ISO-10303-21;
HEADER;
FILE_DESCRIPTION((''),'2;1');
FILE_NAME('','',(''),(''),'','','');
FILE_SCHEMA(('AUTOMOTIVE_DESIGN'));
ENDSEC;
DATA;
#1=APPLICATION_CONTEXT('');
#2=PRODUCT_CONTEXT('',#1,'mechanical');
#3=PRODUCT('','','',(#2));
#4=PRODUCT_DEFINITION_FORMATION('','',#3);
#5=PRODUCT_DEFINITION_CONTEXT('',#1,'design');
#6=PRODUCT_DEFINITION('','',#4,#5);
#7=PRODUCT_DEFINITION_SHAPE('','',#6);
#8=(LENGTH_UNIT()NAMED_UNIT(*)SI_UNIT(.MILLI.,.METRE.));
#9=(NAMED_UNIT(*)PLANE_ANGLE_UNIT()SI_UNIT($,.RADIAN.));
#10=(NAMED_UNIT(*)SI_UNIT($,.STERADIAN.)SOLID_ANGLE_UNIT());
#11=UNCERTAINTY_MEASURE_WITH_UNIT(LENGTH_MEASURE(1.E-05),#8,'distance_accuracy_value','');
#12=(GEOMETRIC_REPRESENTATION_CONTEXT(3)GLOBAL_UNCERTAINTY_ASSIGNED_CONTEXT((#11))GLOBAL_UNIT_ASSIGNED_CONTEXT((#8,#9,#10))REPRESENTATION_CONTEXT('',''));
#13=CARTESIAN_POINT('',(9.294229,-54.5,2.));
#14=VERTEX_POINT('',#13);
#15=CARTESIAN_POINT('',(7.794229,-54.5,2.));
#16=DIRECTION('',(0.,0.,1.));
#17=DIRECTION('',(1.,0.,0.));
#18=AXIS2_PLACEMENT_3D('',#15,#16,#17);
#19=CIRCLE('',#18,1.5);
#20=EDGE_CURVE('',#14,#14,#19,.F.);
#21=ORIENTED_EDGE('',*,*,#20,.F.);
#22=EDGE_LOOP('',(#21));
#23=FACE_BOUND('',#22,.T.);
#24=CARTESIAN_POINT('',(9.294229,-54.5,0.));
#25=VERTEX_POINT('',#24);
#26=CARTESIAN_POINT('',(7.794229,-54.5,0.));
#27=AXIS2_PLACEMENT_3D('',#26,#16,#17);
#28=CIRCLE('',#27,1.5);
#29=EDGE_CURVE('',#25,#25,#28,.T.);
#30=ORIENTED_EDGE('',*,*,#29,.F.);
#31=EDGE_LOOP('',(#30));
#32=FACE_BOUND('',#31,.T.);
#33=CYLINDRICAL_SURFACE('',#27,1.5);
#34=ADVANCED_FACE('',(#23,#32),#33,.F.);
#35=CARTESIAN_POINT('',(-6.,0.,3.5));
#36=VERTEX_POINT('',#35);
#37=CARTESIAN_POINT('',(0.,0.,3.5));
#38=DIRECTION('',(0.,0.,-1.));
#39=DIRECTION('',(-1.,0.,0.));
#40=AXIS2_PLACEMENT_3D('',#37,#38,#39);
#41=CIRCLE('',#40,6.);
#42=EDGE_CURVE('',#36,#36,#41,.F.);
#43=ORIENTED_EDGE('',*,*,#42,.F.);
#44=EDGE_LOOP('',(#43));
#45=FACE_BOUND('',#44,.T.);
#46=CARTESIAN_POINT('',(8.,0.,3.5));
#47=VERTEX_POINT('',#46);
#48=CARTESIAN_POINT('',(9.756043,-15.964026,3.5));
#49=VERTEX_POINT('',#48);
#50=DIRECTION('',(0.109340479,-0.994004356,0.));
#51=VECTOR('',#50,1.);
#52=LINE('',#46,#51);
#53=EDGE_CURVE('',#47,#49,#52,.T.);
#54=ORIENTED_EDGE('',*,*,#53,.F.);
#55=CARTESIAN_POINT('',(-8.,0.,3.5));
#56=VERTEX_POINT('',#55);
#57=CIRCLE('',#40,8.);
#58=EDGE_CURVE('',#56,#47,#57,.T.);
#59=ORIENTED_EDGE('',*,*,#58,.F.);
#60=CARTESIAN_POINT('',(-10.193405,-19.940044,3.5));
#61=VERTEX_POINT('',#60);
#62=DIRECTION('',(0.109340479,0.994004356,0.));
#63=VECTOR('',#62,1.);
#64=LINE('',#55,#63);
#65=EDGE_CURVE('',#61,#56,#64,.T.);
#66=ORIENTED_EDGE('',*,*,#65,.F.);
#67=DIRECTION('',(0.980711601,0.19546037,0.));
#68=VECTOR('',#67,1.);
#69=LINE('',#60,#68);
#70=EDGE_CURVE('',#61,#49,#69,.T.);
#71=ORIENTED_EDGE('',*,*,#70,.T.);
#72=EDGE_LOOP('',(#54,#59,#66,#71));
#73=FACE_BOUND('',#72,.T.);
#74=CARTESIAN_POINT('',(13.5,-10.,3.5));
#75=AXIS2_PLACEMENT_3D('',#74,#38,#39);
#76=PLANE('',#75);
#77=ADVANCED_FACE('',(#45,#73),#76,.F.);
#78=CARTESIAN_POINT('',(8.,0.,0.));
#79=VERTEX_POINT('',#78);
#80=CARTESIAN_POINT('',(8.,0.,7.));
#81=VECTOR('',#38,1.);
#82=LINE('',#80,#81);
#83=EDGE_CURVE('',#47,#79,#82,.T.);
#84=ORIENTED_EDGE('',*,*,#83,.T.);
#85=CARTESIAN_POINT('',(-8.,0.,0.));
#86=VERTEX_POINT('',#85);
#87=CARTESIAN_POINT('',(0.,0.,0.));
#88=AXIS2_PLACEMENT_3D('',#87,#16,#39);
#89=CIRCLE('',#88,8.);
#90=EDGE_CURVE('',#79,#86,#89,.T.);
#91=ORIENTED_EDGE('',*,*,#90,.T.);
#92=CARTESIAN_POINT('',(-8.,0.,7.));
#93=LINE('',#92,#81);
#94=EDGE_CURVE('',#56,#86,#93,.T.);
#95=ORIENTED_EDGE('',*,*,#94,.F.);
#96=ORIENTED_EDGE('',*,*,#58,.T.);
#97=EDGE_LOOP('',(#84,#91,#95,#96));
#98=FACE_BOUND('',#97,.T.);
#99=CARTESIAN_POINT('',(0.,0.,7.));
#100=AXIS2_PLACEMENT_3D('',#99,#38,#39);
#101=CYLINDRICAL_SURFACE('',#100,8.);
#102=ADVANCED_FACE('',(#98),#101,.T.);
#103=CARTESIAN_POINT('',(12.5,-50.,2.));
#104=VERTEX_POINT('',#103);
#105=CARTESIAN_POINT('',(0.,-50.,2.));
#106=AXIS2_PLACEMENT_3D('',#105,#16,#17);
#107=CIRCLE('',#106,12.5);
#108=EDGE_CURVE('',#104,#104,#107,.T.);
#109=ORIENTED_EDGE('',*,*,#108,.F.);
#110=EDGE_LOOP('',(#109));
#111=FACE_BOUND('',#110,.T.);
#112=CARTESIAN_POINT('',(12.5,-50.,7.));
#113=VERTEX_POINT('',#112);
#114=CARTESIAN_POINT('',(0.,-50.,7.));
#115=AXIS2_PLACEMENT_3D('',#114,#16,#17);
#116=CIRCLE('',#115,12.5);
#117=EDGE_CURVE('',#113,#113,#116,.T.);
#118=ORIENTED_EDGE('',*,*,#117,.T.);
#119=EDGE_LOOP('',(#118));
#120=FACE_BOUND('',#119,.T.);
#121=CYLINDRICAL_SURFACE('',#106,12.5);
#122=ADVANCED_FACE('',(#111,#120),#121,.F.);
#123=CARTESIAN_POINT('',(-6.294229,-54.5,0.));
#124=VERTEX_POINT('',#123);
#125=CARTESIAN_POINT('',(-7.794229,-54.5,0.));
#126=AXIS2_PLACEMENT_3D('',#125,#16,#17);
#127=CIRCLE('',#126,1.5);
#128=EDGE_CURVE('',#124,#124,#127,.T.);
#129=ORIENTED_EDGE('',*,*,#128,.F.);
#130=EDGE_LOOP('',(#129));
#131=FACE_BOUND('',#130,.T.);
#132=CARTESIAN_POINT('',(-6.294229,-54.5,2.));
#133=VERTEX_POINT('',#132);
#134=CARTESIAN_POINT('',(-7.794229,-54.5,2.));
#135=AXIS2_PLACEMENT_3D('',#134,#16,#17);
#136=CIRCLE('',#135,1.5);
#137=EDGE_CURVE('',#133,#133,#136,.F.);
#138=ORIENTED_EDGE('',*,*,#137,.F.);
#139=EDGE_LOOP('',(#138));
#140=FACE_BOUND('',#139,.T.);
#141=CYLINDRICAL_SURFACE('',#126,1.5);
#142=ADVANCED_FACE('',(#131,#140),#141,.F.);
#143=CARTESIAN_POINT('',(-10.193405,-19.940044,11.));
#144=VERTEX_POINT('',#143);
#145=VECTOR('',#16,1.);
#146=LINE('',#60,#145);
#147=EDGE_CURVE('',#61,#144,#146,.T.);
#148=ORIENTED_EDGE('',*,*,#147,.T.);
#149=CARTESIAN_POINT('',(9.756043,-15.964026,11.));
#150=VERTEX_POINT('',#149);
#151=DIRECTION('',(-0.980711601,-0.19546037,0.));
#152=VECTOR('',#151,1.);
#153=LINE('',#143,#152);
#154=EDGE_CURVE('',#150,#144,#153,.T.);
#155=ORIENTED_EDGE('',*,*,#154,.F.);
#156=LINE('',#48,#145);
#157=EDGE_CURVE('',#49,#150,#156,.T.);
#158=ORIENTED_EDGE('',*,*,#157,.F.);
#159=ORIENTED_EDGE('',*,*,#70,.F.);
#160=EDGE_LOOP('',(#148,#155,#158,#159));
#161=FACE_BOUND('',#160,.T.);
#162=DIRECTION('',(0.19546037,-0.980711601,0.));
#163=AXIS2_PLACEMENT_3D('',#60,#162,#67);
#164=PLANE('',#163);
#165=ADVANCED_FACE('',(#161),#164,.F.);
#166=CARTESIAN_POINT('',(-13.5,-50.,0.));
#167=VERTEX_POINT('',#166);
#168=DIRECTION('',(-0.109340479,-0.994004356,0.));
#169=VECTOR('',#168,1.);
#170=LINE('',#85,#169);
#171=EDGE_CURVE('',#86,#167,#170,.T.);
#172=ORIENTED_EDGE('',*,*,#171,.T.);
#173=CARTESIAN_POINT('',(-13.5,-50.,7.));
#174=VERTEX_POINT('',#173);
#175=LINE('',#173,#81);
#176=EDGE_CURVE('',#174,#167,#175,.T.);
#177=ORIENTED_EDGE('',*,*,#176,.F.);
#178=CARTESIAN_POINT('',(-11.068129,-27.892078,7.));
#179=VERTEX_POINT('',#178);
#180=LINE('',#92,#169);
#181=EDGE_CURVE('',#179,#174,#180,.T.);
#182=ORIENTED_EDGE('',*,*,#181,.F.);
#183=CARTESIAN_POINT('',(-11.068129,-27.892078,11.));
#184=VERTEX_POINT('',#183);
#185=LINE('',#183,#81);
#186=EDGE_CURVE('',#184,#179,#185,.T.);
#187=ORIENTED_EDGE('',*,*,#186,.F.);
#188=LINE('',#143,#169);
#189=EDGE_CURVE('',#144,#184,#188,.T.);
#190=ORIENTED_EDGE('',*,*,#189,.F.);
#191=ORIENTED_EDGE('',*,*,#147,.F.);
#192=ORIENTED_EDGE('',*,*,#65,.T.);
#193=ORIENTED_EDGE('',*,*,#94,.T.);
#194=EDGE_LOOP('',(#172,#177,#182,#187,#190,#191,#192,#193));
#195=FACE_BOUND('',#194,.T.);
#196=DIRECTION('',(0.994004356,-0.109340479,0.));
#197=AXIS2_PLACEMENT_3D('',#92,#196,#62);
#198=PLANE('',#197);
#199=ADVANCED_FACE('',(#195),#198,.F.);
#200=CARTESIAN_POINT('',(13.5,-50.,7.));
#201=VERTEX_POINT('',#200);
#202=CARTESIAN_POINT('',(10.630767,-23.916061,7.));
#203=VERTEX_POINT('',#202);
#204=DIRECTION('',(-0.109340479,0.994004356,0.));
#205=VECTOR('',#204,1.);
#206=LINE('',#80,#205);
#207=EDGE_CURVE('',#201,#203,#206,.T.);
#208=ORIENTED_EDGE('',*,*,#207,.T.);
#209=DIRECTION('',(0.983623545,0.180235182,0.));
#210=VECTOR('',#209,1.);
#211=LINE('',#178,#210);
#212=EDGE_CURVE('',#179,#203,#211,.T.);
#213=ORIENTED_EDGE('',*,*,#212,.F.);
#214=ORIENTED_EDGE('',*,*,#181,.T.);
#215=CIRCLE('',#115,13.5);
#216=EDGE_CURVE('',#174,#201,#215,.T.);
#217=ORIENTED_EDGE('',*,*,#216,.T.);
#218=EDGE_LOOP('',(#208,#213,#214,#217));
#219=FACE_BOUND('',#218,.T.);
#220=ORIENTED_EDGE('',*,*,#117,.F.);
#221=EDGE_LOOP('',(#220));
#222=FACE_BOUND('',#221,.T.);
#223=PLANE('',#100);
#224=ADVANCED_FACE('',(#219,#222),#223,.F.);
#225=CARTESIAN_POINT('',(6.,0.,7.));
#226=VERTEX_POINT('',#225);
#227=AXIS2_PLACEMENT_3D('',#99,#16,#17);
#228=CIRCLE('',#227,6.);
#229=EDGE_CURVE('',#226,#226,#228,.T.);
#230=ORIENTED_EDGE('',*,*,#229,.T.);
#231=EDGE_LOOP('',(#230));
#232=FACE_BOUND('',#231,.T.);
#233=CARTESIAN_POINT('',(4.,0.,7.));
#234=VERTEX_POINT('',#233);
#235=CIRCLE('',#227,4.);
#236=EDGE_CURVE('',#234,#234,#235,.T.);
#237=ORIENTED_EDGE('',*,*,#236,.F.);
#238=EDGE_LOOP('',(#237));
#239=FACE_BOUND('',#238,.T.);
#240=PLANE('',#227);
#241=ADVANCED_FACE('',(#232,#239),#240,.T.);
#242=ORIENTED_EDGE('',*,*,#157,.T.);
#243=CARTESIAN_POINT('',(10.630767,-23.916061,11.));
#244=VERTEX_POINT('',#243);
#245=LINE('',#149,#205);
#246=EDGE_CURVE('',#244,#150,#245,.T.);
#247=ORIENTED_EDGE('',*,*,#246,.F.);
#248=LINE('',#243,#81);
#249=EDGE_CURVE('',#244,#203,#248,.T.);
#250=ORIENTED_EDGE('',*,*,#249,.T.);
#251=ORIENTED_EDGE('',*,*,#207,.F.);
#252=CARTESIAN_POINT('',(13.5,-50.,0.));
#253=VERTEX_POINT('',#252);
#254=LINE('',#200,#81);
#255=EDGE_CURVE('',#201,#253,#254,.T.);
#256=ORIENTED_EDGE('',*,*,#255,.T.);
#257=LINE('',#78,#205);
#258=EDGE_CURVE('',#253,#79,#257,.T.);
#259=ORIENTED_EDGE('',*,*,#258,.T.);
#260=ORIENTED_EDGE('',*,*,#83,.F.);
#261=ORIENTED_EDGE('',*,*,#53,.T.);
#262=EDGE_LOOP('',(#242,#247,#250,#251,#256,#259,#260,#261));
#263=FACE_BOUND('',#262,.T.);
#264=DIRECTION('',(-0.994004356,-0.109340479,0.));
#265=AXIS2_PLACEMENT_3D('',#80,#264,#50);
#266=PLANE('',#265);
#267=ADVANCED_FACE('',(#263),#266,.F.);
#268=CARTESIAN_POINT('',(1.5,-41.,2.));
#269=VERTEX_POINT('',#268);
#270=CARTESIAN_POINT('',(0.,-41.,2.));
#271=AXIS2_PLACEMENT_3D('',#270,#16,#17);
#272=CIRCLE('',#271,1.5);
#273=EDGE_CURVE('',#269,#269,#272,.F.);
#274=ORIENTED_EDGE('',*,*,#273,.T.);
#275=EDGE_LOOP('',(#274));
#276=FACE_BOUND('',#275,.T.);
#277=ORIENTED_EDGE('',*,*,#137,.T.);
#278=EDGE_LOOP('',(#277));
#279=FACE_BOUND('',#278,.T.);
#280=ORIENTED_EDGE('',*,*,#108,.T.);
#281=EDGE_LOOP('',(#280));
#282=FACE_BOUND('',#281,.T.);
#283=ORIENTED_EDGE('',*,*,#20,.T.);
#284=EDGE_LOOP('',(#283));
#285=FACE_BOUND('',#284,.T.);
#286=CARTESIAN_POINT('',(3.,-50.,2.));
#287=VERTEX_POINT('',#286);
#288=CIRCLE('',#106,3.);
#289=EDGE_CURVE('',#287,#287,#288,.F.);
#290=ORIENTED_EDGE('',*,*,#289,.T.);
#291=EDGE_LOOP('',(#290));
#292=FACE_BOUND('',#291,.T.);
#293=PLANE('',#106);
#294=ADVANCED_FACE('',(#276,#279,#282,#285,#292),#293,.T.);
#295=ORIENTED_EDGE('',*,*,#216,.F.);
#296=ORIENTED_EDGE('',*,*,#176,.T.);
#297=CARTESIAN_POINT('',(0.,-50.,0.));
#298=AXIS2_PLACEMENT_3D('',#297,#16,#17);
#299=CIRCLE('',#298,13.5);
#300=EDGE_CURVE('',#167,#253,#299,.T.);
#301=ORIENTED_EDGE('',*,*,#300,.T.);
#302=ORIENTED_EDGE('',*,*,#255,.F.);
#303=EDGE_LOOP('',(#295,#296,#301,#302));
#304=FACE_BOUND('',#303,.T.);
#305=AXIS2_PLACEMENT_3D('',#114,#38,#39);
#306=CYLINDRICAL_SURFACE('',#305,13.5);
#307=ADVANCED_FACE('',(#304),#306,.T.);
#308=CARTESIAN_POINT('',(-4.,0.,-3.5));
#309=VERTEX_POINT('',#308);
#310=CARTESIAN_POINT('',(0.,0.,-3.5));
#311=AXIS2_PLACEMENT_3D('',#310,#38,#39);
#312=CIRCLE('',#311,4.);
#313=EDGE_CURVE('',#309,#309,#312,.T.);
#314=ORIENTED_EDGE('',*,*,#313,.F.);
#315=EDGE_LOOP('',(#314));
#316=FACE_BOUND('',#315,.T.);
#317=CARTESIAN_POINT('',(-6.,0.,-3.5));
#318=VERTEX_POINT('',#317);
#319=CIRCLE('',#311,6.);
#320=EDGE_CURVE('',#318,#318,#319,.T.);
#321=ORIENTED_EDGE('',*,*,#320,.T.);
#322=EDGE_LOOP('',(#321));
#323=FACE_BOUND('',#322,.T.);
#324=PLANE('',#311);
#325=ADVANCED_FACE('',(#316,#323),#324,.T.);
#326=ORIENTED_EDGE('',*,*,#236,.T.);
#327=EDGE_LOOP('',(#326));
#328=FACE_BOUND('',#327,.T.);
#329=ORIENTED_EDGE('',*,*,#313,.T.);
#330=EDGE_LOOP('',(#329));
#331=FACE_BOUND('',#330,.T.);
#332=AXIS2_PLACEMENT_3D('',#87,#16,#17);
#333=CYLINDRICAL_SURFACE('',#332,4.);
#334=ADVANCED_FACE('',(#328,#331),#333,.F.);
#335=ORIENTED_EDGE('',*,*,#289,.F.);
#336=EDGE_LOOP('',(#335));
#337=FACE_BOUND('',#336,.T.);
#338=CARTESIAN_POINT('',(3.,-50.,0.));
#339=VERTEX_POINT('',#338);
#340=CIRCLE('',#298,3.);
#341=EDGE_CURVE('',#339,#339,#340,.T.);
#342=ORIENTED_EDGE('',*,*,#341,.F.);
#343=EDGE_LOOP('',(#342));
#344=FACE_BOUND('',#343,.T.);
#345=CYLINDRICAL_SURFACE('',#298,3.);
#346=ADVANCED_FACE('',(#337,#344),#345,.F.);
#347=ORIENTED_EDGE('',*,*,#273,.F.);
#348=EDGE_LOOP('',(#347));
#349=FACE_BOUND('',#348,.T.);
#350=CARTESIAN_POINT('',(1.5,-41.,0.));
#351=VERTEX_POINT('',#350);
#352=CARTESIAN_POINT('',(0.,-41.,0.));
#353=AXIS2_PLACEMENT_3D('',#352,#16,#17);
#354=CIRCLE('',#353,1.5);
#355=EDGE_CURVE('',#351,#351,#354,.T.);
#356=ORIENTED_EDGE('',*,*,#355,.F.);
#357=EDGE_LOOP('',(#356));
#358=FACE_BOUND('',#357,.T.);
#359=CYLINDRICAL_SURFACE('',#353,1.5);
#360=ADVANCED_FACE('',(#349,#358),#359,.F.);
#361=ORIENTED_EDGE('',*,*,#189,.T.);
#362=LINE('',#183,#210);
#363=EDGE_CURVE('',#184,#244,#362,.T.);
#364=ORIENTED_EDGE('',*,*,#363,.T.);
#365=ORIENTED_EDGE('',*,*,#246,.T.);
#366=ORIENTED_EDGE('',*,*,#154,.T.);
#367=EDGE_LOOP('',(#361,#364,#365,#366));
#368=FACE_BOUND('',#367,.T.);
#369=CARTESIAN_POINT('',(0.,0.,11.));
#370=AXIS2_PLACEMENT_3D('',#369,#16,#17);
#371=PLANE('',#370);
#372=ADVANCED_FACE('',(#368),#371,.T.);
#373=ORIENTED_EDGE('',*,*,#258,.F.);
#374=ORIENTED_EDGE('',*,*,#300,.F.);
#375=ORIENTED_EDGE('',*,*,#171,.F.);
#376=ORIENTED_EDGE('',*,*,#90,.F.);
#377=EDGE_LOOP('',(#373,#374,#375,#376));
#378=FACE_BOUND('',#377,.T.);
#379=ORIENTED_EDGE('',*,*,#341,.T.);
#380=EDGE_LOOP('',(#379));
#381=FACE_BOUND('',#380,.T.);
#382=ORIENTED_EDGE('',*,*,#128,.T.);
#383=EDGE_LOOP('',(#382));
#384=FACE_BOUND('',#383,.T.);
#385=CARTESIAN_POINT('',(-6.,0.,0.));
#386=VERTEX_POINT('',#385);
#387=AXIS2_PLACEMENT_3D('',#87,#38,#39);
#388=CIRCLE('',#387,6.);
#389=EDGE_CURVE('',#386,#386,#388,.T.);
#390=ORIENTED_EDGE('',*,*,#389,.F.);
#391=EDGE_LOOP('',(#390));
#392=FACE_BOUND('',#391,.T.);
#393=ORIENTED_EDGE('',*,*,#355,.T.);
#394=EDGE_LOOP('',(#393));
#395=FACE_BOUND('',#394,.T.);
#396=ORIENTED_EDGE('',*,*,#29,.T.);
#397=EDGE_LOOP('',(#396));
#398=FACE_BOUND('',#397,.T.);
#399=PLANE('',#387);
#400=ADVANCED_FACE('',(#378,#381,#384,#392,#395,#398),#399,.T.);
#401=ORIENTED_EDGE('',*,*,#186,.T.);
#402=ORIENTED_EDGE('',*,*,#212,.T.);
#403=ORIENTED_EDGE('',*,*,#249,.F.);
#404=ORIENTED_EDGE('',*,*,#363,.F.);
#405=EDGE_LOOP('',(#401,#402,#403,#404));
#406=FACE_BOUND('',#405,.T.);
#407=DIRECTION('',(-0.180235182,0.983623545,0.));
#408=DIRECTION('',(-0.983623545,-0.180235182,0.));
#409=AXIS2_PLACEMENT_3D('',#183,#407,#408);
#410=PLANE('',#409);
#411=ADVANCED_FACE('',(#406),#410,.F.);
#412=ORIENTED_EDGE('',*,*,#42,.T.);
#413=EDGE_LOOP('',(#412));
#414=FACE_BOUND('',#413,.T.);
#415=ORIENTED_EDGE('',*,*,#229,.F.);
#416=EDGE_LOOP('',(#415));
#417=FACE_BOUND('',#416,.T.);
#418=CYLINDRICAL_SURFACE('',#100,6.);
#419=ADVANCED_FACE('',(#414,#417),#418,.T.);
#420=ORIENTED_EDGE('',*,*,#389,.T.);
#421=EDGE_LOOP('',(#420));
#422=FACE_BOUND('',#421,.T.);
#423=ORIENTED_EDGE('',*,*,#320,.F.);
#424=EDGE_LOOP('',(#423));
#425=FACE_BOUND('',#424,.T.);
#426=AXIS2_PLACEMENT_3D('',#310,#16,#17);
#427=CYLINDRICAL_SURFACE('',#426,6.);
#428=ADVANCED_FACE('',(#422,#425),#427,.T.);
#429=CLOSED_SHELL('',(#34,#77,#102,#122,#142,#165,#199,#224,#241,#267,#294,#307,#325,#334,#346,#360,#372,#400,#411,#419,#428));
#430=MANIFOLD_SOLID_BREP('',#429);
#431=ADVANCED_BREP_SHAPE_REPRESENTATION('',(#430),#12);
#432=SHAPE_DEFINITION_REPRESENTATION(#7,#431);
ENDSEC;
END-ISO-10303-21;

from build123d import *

# Parameters (mm, degrees)
BOSS_EXTRU_1_DEPTH      = 7
ESQUISSE2_R             = 3
ENL_V_MAT_EXTRU_1_DEPTH = 7
ESQUISSE3_R             = 1.5
ENL_V_MAT_EXTRU_2_DEPTH = 7
ESQUISSE5_R             = 12.5
ENL_V_MAT_EXTRU_5_DEPTH = 5
ESQUISSE10_W            = 27
ESQUISSE10_H            = 3.5
ENL_V_MAT_EXTRU_6_DEPTH = 20
ESQUISSE12_R            = 6
BOSS_EXTRU_3_DEPTH      = 3.5
ESQUISSE13_R            = 4
ENL_V_MAT_EXTRU_7_DEPTH = 66.295482233
ENL_V_MAT_EXTRU_8_DEPTH = 3.5
BOSS_EXTRU_4_DEPTH      = 4
ESQUISSE16_R            = 6
ESQUISSE16_R_2          = 4
BOSS_EXTRU_5_DEPTH      = 3.5


with BuildPart() as part:
    # Esquisse1 → Boss.-Extru.1 (new body)
    with BuildSketch(Plane.XY):
        with BuildLine():
            Line((8, 0), (13.5, -50))
            ThreePointArc((13.5, -50), (0, -63.5), (-13.5, -50))
            Line((-13.5, -50), (-8, 0))
            ThreePointArc((-8, 0), (0, 8), (8, 0))
        make_face()
    extrude(amount=BOSS_EXTRU_1_DEPTH)

    # Esquisse2 → Enlèv. mat.-Extru.1 (cut)
    with BuildSketch(Plane.XY.offset(7)):
        with Locations((0, -50)):
            Circle(ESQUISSE2_R)
    extrude(amount=-ENL_V_MAT_EXTRU_1_DEPTH, mode=Mode.SUBTRACT)

    # Esquisse3 → Enlèv. mat.-Extru.2 (cut)
    with BuildSketch(Plane.XY.offset(7)):
        with Locations((0, -41)):
            Circle(ESQUISSE3_R)
        with Locations((-7.794228634, -54.5)):
            Circle(ESQUISSE3_R)
        with Locations((7.794228634, -54.5)):
            Circle(ESQUISSE3_R)
    extrude(amount=-ENL_V_MAT_EXTRU_2_DEPTH, mode=Mode.SUBTRACT)

    # Esquisse5 → Enlèv. mat.-Extru.5 (cut)
    with BuildSketch(Plane.XY.offset(7)):
        with Locations((0, -50)):
            Circle(ESQUISSE5_R)
    extrude(amount=-ENL_V_MAT_EXTRU_5_DEPTH, mode=Mode.SUBTRACT)

    # Esquisse10 → Enlèv. mat.-Extru.6 (cut)
    with BuildSketch(Plane(origin=(0, 10, 0), x_dir=(1, 0, 0), z_dir=(0, 1, 0))):
        with Locations((0, -5.25)):
            Rectangle(ESQUISSE10_W, ESQUISSE10_H)
    extrude(amount=-ENL_V_MAT_EXTRU_6_DEPTH, mode=Mode.SUBTRACT)

    # Esquisse12 → Boss.-Extru.3 (add)
    with BuildSketch(Plane.XY.offset(3.5)):
        with Locations(Location((0, 0, 0), (0, 0, 180))):
            Circle(ESQUISSE12_R)
    extrude(amount=BOSS_EXTRU_3_DEPTH)

    # Esquisse13 → Enlèv. mat.-Extru.7 (cut, through all)
    with BuildSketch(Plane.XY.offset(7)):
        Circle(ESQUISSE13_R)
    extrude(amount=-ENL_V_MAT_EXTRU_7_DEPTH, mode=Mode.SUBTRACT)

    # Esquisse14 → Enlèv. mat.-Extru.8 (cut)
    with BuildSketch(Plane.XY.offset(7)):
        Polygon((-9.1, -10), (-10.193404792, -19.940043559), (9.756042875, -15.964026136), (9.1, -10), align=None)
    extrude(amount=-ENL_V_MAT_EXTRU_8_DEPTH, mode=Mode.SUBTRACT)

    # Esquisse15 → Boss.-Extru.4 (add)
    with BuildSketch(Plane.XY.offset(7)):
        Polygon((-10.193404792, -19.940043559), (9.756042875, -15.964026136), (10.630766708, -23.916060983), (-11.068128625, -27.892078407), align=None)
    extrude(amount=BOSS_EXTRU_4_DEPTH)

    # Esquisse16 → Boss.-Extru.5 (add)
    with BuildSketch(Plane(origin=(0, 0, 0), x_dir=(-1, 0, 0), z_dir=(0, 0, -1))):
        Circle(ESQUISSE16_R)
        with Locations(Location((0, 0, 0), (0, 0, 180))):
            Circle(ESQUISSE16_R_2, mode=Mode.SUBTRACT)
    extrude(amount=BOSS_EXTRU_5_DEPTH)


solid = part.part
